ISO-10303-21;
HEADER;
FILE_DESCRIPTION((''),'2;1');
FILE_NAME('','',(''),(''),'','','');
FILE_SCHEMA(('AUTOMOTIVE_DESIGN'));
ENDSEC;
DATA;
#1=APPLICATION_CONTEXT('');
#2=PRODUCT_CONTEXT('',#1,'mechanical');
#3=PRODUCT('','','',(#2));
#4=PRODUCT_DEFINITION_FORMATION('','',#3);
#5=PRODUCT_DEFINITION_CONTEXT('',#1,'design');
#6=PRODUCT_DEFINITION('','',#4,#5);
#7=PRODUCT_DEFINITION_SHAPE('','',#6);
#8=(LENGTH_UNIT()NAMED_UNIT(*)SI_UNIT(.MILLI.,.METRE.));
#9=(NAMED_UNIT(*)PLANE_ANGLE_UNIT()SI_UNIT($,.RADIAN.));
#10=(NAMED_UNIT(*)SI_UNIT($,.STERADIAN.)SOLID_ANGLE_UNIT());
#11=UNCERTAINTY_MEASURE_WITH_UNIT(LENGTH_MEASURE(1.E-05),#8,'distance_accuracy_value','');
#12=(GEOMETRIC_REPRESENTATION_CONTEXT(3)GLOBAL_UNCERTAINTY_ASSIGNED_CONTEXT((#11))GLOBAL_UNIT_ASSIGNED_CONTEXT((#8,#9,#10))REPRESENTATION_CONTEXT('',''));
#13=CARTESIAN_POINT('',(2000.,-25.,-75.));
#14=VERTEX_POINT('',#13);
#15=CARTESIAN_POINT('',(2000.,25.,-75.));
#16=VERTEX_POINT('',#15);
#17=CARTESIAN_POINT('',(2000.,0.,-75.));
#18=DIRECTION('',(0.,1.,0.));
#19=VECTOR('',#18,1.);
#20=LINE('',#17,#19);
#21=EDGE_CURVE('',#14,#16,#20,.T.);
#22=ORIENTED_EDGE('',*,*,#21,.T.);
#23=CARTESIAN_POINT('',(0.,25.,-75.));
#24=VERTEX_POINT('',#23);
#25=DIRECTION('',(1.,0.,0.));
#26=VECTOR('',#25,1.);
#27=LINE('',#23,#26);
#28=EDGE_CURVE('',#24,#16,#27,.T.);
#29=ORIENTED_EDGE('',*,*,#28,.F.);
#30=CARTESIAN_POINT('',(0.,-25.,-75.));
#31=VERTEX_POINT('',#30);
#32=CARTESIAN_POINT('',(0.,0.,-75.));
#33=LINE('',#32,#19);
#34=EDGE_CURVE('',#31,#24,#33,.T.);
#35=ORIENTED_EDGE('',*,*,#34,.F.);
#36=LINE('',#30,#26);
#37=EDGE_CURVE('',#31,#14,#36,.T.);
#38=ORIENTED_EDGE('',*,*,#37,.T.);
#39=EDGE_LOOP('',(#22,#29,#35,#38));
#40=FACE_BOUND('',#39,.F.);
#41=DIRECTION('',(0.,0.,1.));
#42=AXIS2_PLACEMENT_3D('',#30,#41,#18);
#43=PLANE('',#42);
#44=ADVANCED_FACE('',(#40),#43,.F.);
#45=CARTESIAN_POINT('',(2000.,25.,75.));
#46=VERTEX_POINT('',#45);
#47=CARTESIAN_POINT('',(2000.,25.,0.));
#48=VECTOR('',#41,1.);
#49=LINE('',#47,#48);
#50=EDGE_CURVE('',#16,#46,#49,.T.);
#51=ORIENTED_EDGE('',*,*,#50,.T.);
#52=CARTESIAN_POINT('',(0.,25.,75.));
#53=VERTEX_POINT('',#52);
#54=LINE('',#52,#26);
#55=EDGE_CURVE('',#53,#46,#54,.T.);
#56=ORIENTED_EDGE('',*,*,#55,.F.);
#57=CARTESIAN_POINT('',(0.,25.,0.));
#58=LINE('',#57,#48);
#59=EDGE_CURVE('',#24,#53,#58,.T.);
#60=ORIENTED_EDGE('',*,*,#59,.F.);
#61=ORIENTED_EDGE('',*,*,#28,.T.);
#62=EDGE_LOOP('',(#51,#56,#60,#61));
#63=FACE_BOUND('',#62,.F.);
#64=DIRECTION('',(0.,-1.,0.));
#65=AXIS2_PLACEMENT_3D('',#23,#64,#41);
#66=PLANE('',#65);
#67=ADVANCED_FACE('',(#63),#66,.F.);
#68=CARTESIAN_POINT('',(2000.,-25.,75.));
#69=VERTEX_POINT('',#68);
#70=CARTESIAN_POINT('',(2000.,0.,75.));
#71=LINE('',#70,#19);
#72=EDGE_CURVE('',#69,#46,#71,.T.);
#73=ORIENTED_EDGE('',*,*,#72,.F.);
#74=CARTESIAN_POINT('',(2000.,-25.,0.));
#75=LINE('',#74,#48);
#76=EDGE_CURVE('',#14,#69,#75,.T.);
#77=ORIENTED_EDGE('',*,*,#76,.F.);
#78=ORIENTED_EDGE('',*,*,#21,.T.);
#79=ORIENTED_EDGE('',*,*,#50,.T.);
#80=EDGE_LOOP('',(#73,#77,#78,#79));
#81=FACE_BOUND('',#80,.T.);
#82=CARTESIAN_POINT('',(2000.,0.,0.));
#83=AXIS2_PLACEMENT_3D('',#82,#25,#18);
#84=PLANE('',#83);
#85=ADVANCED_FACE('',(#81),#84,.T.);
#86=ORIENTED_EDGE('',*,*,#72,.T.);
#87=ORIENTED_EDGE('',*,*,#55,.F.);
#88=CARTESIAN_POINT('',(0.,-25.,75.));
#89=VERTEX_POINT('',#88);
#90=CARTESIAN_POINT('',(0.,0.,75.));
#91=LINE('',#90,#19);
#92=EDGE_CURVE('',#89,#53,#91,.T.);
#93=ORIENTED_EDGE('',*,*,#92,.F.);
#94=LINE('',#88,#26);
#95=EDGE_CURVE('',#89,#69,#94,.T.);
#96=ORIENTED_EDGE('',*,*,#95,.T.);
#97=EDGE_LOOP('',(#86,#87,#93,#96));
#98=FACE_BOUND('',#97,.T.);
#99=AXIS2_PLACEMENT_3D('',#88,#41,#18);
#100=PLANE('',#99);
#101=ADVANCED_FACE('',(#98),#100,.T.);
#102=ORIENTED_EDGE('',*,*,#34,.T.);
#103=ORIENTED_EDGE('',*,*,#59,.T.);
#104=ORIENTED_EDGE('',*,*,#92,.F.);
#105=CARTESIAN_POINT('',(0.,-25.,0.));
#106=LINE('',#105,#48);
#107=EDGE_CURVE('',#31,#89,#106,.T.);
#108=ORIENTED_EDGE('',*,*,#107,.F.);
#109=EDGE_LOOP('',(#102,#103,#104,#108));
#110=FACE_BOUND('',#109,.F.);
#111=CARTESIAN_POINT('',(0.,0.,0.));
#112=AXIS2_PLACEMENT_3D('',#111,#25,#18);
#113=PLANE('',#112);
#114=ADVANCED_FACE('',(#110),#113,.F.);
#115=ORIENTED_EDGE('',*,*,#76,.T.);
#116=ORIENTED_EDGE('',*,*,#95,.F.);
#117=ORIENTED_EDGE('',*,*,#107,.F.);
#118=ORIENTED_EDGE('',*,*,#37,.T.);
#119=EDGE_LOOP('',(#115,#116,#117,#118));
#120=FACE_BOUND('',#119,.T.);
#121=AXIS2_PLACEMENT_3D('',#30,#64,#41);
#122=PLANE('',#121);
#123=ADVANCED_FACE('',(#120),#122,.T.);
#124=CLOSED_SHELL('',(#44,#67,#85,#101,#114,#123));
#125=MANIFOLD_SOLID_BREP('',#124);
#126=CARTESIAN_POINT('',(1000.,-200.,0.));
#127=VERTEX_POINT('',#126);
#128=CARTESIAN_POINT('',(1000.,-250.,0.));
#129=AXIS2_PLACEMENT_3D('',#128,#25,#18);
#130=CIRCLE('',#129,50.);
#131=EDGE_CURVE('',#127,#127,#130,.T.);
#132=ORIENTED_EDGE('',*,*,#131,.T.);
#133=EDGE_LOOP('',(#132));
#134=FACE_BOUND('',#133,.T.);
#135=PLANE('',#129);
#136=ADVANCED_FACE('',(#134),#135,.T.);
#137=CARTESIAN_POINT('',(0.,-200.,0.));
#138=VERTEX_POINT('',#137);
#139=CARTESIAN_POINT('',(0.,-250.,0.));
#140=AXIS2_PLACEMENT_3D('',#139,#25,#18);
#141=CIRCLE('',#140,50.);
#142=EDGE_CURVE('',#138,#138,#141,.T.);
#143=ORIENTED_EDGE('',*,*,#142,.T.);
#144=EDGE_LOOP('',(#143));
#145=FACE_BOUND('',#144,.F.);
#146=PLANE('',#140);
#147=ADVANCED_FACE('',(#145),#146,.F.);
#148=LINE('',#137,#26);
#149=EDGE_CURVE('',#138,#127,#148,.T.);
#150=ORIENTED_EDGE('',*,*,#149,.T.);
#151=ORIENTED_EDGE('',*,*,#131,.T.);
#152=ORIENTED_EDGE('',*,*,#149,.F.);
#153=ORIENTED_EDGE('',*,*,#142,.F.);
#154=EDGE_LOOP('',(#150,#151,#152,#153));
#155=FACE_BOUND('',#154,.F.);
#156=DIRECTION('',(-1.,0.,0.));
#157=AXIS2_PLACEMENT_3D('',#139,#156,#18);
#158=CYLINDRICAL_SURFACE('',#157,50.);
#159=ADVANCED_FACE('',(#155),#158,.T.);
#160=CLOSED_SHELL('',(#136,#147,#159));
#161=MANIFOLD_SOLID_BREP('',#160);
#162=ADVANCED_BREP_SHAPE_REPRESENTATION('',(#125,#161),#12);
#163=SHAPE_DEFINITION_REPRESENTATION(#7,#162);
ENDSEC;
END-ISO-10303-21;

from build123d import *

# Parameters (mm, degrees)
F0_W     = 50
F0_H     = 150
F1_DEPTH = 2000
F2_R     = 50
F3_DEPTH = 1000


with BuildPart() as f1:
    # F0 (on Right) → F1 (new body)
    with BuildSketch(Plane.YZ):
        Rectangle(F0_W, F0_H)
    extrude(amount=F1_DEPTH)


with BuildPart() as f3:
    # F2 (on Right) → F3 (new body)
    with BuildSketch(Plane.YZ):
        with Locations((-250, 0)):
            Circle(F2_R)
    extrude(amount=F3_DEPTH)


solid = Compound([f1.part, f3.part])
